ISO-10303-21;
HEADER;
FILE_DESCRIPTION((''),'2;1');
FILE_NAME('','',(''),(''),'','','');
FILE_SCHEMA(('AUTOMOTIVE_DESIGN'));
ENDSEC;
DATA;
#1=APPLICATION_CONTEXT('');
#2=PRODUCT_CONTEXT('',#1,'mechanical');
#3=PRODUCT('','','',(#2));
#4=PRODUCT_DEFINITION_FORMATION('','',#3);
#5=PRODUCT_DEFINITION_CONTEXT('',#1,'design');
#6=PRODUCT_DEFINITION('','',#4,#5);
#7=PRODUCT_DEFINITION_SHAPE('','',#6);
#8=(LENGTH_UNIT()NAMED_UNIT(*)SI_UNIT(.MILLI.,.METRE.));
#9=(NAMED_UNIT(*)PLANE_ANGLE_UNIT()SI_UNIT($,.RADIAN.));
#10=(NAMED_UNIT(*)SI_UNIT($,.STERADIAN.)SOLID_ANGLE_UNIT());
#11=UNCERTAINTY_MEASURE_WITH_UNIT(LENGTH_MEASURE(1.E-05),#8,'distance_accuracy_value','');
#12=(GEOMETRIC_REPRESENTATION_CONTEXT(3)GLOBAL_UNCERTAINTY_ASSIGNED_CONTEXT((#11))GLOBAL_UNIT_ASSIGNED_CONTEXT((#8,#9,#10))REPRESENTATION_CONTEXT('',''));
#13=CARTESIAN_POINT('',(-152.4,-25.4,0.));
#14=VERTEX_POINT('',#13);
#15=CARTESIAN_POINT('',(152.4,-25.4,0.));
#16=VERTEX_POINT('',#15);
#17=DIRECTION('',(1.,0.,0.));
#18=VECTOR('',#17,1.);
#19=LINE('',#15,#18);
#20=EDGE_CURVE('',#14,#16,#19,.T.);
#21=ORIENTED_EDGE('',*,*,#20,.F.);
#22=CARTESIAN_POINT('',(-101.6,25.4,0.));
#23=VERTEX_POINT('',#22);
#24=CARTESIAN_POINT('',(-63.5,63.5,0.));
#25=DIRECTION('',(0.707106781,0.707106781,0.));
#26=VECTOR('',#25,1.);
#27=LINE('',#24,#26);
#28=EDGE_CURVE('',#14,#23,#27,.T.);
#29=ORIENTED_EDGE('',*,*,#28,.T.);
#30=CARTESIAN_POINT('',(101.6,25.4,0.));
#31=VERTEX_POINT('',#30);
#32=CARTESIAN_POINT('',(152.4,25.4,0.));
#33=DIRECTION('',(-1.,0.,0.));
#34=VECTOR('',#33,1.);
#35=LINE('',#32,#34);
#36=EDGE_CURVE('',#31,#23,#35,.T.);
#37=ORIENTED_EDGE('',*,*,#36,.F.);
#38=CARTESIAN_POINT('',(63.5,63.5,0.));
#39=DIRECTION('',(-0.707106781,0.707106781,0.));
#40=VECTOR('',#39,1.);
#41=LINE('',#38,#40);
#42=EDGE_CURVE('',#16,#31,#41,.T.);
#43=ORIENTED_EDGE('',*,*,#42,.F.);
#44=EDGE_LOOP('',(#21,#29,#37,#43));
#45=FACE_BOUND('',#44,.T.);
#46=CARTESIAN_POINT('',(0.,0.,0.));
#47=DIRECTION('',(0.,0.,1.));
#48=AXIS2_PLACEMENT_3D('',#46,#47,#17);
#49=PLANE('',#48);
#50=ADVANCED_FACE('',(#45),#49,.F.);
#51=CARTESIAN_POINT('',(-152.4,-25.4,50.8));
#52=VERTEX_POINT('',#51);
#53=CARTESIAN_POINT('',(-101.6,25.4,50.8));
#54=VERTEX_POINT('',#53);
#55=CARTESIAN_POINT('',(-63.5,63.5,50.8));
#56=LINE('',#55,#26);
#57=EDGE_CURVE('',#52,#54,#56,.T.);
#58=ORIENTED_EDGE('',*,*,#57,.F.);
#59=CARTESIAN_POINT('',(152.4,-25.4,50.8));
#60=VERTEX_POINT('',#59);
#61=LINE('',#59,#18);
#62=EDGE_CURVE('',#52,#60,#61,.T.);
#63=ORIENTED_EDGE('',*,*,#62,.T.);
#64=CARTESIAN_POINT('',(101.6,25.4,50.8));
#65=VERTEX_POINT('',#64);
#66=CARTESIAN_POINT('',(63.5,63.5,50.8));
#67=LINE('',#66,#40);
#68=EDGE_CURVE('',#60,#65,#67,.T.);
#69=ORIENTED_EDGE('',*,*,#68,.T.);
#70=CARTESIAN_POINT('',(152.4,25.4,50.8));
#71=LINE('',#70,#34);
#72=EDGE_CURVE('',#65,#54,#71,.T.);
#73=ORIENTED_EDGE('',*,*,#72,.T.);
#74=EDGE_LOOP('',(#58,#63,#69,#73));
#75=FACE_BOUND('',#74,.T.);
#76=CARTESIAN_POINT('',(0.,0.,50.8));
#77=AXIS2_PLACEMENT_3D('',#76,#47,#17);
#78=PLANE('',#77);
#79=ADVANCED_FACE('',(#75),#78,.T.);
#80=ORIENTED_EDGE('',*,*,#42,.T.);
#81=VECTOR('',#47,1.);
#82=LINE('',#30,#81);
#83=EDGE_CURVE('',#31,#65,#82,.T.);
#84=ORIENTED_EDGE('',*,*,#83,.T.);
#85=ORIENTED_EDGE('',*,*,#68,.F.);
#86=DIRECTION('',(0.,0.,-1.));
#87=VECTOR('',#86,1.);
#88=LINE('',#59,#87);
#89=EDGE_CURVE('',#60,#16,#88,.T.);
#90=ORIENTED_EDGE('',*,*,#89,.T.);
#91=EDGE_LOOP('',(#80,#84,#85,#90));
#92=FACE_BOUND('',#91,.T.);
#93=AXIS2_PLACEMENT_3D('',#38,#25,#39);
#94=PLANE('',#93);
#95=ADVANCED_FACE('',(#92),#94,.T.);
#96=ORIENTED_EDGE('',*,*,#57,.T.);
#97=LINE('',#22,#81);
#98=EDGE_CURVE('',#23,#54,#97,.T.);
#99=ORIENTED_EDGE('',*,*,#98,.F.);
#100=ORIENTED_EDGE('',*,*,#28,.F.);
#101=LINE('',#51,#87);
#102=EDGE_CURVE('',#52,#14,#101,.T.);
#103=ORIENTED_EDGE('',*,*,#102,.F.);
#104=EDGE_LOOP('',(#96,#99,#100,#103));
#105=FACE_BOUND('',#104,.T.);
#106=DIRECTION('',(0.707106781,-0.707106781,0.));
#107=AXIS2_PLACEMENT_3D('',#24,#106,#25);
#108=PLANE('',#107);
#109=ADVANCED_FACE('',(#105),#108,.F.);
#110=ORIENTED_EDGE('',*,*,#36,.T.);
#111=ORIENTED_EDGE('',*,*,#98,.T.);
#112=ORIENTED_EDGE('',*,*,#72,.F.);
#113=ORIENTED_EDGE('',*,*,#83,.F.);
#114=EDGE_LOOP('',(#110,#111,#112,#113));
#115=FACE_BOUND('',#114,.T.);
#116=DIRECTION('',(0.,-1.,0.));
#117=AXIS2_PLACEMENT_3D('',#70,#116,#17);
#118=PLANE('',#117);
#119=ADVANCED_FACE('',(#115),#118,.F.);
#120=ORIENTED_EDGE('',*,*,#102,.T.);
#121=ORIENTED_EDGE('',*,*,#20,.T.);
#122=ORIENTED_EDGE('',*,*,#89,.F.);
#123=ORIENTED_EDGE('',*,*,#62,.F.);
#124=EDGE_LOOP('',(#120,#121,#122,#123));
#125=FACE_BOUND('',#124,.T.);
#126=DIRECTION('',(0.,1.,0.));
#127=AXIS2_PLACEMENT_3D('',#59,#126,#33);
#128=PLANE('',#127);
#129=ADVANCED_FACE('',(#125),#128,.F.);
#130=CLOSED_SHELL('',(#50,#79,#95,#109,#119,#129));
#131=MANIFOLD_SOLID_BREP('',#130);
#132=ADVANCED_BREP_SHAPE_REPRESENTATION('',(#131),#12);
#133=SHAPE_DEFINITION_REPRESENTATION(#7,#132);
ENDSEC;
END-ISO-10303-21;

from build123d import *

# Parameters (mm, degrees)
CROQUIS1_W              = 304.8
CROQUIS1_H              = 50.8
SALIENTE_EXTRUIR1_DEPTH = 50.8
CORTAR_EXTRUIR1_DEPTH   = 163.639355631
CORTAR_EXTRUIR2_DEPTH   = 163.639355631


with BuildPart() as part:
    # Croquis1 → Saliente-Extruir1 (new body)
    with BuildSketch(Plane.XY):
        Rectangle(CROQUIS1_W, CROQUIS1_H)
    extrude(amount=SALIENTE_EXTRUIR1_DEPTH)

    # Croquis2 → Cortar-Extruir1 (cut, through all)
    with BuildSketch(Plane.XY.offset(50.8)):
        Polygon((-132.4, 25.4), (-152.4, 25.4), (-152.4, -25.4), align=None)
        Polygon((152.4, 25.4), (132.4, 25.4), (152.4, -25.4), align=None)
    extrude(amount=-CORTAR_EXTRUIR1_DEPTH, mode=Mode.SUBTRACT)

    # Croquis3 → Cortar-Extruir2 (cut, through all)
    with BuildSketch(Plane.XY.offset(50.8)):
        Polygon((-132.4, 25.4), (-152.4, -25.4), (-101.6, 25.4), align=None)
        Polygon((132.4, 25.4), (101.6, 25.4), (152.4, -25.4), align=None)
    extrude(amount=-CORTAR_EXTRUIR2_DEPTH, mode=Mode.SUBTRACT)


solid = part.part
